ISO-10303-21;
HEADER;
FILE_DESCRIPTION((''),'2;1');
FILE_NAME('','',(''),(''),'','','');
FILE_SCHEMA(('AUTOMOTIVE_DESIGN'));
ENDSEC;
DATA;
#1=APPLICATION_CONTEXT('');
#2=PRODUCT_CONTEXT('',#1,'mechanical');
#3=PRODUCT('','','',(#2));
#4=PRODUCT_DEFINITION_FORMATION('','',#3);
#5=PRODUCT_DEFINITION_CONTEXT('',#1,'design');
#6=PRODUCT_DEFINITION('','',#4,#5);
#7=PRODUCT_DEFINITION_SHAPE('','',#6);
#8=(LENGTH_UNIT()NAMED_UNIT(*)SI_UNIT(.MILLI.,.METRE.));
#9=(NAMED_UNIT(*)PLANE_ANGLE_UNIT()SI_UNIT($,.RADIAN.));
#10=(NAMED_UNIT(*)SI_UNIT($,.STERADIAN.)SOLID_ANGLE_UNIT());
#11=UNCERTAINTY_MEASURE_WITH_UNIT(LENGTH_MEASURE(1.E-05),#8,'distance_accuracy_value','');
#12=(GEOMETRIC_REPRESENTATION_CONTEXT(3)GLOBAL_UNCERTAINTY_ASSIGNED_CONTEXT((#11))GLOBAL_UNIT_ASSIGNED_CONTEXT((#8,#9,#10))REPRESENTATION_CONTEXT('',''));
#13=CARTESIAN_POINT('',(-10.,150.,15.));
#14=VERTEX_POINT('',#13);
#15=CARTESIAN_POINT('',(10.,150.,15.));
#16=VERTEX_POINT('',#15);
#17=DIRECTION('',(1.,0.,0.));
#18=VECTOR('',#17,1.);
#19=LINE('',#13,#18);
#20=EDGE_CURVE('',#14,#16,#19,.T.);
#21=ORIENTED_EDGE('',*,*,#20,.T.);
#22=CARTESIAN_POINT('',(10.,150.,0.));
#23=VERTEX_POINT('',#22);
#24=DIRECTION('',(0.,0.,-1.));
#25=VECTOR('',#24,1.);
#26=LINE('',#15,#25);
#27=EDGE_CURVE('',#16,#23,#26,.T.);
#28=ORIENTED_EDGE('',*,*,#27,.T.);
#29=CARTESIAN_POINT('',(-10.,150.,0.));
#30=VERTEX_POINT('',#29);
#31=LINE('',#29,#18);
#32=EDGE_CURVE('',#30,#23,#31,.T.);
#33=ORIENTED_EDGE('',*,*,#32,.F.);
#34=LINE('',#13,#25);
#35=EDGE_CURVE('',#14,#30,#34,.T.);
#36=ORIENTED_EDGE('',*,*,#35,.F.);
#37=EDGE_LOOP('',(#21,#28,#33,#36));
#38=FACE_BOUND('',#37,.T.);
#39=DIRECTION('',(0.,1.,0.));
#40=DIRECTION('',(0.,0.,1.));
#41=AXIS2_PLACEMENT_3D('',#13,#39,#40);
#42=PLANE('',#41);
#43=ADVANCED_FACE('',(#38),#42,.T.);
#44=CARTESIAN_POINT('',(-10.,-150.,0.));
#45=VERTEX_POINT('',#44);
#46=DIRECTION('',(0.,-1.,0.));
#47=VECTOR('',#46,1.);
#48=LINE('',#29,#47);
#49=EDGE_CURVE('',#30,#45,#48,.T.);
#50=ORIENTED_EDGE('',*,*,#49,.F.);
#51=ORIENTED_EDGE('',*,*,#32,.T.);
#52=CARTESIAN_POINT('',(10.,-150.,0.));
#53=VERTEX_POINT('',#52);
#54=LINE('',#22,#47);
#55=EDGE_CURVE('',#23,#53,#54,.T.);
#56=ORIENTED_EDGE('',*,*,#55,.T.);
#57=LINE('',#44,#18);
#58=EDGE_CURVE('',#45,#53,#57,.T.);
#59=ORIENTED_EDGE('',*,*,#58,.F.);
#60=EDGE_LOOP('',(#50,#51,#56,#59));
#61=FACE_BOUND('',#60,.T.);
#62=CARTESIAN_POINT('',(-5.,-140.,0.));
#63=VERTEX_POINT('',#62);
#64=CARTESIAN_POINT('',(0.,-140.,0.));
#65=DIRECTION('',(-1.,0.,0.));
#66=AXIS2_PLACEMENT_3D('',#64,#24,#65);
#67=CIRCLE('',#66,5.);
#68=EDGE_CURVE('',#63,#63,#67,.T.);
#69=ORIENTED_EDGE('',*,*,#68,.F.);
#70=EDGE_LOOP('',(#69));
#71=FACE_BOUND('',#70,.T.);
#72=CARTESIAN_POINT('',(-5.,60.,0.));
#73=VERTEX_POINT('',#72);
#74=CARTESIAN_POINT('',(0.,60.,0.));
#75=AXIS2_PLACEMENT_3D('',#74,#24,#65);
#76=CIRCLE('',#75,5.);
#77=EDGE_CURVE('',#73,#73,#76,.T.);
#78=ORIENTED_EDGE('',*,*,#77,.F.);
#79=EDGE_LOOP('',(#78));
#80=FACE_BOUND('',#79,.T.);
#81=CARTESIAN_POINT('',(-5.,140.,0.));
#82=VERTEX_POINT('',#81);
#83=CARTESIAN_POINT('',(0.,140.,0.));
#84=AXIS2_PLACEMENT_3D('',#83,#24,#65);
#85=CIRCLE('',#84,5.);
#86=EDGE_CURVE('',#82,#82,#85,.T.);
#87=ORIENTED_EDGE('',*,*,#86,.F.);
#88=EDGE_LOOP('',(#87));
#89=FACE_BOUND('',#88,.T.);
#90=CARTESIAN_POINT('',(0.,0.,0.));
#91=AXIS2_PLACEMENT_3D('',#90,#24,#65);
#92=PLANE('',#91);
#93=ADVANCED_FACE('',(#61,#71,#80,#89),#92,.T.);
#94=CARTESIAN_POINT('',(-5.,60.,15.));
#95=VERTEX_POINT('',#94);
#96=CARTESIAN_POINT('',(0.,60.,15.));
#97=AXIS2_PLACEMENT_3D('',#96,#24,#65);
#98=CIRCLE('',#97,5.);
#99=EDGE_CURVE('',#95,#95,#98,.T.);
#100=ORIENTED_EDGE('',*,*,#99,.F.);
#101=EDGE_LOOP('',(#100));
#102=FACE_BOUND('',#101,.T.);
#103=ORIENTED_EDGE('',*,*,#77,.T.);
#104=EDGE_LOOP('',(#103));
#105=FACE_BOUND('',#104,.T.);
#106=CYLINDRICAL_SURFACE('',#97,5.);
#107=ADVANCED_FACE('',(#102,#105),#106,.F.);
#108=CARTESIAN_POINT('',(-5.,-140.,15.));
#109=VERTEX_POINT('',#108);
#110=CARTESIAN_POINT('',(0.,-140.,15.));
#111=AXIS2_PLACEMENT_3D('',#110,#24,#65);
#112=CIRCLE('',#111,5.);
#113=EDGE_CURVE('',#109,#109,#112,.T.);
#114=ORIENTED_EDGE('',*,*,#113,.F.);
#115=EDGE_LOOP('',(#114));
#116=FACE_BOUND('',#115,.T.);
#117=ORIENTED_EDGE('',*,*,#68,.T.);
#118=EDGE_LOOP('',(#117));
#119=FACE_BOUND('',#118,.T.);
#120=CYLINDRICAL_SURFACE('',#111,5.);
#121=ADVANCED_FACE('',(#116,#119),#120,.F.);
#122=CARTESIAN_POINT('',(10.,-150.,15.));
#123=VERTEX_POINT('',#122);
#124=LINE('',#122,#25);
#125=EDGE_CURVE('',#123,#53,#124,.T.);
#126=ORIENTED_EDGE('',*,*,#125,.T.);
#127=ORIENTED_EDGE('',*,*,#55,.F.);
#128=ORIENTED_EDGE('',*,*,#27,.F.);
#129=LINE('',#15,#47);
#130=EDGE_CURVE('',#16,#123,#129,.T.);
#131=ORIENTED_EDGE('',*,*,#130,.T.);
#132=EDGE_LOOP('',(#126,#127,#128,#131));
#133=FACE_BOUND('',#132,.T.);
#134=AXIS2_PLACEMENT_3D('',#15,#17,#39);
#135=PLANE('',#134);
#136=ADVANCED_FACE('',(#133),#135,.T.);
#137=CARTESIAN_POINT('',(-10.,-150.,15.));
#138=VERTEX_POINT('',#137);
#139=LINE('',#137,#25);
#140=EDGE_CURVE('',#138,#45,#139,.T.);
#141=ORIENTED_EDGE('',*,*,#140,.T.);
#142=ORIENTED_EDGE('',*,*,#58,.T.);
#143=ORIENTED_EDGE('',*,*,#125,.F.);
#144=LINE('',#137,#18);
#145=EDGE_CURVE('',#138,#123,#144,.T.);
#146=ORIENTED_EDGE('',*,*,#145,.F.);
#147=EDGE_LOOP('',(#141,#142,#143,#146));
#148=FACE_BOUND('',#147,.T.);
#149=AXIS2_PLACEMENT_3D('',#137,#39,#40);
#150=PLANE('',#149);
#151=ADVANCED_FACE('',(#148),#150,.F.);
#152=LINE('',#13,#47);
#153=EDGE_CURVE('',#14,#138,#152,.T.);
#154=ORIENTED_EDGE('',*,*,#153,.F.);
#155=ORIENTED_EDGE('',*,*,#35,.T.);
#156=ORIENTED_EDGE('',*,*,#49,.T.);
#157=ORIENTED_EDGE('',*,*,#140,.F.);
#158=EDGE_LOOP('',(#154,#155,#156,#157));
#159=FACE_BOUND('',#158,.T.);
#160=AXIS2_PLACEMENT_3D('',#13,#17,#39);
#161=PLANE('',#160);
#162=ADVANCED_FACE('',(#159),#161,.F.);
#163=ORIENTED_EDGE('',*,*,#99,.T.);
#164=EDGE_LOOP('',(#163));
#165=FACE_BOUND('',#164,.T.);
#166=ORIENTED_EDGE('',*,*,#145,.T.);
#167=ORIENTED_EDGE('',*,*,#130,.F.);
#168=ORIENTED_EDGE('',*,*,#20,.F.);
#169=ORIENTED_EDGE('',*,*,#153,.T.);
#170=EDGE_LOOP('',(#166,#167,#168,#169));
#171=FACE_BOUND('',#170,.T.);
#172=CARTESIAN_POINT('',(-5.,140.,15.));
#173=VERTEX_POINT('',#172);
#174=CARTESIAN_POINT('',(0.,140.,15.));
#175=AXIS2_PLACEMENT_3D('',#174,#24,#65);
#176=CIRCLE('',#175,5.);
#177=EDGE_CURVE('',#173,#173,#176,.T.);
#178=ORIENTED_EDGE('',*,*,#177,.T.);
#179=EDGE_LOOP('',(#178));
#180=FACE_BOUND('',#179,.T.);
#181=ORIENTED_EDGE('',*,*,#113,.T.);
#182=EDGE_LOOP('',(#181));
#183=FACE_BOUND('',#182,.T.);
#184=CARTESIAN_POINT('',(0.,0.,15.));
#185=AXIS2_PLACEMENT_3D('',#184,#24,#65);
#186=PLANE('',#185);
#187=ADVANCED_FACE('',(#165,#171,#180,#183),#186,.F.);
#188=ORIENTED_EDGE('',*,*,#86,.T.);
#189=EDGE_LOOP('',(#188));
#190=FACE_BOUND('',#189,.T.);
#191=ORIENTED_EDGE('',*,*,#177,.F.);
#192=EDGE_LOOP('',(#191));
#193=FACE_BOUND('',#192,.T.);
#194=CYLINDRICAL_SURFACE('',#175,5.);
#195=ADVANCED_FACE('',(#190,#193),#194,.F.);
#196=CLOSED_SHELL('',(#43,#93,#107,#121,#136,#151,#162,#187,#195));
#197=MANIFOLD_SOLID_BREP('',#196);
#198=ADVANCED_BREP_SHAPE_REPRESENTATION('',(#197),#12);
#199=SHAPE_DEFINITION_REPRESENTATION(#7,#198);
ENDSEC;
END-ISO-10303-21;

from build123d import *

# Parameters (mm, degrees)
SKETCH1_W           = 20
SKETCH1_H           = 300
BOSS_EXTRUDE1_DEPTH = 15
SKETCH3_R           = 5
CUT_EXTRUDE1_DEPTH  = 15


with BuildPart() as part:
    # Sketch1 → Boss-Extrude1 (new body)
    with BuildSketch(Plane.XY):
        Rectangle(SKETCH1_W, SKETCH1_H)
    extrude(amount=BOSS_EXTRUDE1_DEPTH)

    # Sketch3 → Cut-Extrude1 (cut)
    with BuildSketch(Plane(origin=(0, 0, 0), x_dir=(-1, 0, 0), z_dir=(0, 0, -1))):
        with Locations((0, -140)):
            Circle(SKETCH3_R)
        with Locations((0, 140)):
            Circle(SKETCH3_R)
        with Locations((0, 60)):
            Circle(SKETCH3_R)
    extrude(amount=-CUT_EXTRUDE1_DEPTH, mode=Mode.SUBTRACT)


solid = part.part
